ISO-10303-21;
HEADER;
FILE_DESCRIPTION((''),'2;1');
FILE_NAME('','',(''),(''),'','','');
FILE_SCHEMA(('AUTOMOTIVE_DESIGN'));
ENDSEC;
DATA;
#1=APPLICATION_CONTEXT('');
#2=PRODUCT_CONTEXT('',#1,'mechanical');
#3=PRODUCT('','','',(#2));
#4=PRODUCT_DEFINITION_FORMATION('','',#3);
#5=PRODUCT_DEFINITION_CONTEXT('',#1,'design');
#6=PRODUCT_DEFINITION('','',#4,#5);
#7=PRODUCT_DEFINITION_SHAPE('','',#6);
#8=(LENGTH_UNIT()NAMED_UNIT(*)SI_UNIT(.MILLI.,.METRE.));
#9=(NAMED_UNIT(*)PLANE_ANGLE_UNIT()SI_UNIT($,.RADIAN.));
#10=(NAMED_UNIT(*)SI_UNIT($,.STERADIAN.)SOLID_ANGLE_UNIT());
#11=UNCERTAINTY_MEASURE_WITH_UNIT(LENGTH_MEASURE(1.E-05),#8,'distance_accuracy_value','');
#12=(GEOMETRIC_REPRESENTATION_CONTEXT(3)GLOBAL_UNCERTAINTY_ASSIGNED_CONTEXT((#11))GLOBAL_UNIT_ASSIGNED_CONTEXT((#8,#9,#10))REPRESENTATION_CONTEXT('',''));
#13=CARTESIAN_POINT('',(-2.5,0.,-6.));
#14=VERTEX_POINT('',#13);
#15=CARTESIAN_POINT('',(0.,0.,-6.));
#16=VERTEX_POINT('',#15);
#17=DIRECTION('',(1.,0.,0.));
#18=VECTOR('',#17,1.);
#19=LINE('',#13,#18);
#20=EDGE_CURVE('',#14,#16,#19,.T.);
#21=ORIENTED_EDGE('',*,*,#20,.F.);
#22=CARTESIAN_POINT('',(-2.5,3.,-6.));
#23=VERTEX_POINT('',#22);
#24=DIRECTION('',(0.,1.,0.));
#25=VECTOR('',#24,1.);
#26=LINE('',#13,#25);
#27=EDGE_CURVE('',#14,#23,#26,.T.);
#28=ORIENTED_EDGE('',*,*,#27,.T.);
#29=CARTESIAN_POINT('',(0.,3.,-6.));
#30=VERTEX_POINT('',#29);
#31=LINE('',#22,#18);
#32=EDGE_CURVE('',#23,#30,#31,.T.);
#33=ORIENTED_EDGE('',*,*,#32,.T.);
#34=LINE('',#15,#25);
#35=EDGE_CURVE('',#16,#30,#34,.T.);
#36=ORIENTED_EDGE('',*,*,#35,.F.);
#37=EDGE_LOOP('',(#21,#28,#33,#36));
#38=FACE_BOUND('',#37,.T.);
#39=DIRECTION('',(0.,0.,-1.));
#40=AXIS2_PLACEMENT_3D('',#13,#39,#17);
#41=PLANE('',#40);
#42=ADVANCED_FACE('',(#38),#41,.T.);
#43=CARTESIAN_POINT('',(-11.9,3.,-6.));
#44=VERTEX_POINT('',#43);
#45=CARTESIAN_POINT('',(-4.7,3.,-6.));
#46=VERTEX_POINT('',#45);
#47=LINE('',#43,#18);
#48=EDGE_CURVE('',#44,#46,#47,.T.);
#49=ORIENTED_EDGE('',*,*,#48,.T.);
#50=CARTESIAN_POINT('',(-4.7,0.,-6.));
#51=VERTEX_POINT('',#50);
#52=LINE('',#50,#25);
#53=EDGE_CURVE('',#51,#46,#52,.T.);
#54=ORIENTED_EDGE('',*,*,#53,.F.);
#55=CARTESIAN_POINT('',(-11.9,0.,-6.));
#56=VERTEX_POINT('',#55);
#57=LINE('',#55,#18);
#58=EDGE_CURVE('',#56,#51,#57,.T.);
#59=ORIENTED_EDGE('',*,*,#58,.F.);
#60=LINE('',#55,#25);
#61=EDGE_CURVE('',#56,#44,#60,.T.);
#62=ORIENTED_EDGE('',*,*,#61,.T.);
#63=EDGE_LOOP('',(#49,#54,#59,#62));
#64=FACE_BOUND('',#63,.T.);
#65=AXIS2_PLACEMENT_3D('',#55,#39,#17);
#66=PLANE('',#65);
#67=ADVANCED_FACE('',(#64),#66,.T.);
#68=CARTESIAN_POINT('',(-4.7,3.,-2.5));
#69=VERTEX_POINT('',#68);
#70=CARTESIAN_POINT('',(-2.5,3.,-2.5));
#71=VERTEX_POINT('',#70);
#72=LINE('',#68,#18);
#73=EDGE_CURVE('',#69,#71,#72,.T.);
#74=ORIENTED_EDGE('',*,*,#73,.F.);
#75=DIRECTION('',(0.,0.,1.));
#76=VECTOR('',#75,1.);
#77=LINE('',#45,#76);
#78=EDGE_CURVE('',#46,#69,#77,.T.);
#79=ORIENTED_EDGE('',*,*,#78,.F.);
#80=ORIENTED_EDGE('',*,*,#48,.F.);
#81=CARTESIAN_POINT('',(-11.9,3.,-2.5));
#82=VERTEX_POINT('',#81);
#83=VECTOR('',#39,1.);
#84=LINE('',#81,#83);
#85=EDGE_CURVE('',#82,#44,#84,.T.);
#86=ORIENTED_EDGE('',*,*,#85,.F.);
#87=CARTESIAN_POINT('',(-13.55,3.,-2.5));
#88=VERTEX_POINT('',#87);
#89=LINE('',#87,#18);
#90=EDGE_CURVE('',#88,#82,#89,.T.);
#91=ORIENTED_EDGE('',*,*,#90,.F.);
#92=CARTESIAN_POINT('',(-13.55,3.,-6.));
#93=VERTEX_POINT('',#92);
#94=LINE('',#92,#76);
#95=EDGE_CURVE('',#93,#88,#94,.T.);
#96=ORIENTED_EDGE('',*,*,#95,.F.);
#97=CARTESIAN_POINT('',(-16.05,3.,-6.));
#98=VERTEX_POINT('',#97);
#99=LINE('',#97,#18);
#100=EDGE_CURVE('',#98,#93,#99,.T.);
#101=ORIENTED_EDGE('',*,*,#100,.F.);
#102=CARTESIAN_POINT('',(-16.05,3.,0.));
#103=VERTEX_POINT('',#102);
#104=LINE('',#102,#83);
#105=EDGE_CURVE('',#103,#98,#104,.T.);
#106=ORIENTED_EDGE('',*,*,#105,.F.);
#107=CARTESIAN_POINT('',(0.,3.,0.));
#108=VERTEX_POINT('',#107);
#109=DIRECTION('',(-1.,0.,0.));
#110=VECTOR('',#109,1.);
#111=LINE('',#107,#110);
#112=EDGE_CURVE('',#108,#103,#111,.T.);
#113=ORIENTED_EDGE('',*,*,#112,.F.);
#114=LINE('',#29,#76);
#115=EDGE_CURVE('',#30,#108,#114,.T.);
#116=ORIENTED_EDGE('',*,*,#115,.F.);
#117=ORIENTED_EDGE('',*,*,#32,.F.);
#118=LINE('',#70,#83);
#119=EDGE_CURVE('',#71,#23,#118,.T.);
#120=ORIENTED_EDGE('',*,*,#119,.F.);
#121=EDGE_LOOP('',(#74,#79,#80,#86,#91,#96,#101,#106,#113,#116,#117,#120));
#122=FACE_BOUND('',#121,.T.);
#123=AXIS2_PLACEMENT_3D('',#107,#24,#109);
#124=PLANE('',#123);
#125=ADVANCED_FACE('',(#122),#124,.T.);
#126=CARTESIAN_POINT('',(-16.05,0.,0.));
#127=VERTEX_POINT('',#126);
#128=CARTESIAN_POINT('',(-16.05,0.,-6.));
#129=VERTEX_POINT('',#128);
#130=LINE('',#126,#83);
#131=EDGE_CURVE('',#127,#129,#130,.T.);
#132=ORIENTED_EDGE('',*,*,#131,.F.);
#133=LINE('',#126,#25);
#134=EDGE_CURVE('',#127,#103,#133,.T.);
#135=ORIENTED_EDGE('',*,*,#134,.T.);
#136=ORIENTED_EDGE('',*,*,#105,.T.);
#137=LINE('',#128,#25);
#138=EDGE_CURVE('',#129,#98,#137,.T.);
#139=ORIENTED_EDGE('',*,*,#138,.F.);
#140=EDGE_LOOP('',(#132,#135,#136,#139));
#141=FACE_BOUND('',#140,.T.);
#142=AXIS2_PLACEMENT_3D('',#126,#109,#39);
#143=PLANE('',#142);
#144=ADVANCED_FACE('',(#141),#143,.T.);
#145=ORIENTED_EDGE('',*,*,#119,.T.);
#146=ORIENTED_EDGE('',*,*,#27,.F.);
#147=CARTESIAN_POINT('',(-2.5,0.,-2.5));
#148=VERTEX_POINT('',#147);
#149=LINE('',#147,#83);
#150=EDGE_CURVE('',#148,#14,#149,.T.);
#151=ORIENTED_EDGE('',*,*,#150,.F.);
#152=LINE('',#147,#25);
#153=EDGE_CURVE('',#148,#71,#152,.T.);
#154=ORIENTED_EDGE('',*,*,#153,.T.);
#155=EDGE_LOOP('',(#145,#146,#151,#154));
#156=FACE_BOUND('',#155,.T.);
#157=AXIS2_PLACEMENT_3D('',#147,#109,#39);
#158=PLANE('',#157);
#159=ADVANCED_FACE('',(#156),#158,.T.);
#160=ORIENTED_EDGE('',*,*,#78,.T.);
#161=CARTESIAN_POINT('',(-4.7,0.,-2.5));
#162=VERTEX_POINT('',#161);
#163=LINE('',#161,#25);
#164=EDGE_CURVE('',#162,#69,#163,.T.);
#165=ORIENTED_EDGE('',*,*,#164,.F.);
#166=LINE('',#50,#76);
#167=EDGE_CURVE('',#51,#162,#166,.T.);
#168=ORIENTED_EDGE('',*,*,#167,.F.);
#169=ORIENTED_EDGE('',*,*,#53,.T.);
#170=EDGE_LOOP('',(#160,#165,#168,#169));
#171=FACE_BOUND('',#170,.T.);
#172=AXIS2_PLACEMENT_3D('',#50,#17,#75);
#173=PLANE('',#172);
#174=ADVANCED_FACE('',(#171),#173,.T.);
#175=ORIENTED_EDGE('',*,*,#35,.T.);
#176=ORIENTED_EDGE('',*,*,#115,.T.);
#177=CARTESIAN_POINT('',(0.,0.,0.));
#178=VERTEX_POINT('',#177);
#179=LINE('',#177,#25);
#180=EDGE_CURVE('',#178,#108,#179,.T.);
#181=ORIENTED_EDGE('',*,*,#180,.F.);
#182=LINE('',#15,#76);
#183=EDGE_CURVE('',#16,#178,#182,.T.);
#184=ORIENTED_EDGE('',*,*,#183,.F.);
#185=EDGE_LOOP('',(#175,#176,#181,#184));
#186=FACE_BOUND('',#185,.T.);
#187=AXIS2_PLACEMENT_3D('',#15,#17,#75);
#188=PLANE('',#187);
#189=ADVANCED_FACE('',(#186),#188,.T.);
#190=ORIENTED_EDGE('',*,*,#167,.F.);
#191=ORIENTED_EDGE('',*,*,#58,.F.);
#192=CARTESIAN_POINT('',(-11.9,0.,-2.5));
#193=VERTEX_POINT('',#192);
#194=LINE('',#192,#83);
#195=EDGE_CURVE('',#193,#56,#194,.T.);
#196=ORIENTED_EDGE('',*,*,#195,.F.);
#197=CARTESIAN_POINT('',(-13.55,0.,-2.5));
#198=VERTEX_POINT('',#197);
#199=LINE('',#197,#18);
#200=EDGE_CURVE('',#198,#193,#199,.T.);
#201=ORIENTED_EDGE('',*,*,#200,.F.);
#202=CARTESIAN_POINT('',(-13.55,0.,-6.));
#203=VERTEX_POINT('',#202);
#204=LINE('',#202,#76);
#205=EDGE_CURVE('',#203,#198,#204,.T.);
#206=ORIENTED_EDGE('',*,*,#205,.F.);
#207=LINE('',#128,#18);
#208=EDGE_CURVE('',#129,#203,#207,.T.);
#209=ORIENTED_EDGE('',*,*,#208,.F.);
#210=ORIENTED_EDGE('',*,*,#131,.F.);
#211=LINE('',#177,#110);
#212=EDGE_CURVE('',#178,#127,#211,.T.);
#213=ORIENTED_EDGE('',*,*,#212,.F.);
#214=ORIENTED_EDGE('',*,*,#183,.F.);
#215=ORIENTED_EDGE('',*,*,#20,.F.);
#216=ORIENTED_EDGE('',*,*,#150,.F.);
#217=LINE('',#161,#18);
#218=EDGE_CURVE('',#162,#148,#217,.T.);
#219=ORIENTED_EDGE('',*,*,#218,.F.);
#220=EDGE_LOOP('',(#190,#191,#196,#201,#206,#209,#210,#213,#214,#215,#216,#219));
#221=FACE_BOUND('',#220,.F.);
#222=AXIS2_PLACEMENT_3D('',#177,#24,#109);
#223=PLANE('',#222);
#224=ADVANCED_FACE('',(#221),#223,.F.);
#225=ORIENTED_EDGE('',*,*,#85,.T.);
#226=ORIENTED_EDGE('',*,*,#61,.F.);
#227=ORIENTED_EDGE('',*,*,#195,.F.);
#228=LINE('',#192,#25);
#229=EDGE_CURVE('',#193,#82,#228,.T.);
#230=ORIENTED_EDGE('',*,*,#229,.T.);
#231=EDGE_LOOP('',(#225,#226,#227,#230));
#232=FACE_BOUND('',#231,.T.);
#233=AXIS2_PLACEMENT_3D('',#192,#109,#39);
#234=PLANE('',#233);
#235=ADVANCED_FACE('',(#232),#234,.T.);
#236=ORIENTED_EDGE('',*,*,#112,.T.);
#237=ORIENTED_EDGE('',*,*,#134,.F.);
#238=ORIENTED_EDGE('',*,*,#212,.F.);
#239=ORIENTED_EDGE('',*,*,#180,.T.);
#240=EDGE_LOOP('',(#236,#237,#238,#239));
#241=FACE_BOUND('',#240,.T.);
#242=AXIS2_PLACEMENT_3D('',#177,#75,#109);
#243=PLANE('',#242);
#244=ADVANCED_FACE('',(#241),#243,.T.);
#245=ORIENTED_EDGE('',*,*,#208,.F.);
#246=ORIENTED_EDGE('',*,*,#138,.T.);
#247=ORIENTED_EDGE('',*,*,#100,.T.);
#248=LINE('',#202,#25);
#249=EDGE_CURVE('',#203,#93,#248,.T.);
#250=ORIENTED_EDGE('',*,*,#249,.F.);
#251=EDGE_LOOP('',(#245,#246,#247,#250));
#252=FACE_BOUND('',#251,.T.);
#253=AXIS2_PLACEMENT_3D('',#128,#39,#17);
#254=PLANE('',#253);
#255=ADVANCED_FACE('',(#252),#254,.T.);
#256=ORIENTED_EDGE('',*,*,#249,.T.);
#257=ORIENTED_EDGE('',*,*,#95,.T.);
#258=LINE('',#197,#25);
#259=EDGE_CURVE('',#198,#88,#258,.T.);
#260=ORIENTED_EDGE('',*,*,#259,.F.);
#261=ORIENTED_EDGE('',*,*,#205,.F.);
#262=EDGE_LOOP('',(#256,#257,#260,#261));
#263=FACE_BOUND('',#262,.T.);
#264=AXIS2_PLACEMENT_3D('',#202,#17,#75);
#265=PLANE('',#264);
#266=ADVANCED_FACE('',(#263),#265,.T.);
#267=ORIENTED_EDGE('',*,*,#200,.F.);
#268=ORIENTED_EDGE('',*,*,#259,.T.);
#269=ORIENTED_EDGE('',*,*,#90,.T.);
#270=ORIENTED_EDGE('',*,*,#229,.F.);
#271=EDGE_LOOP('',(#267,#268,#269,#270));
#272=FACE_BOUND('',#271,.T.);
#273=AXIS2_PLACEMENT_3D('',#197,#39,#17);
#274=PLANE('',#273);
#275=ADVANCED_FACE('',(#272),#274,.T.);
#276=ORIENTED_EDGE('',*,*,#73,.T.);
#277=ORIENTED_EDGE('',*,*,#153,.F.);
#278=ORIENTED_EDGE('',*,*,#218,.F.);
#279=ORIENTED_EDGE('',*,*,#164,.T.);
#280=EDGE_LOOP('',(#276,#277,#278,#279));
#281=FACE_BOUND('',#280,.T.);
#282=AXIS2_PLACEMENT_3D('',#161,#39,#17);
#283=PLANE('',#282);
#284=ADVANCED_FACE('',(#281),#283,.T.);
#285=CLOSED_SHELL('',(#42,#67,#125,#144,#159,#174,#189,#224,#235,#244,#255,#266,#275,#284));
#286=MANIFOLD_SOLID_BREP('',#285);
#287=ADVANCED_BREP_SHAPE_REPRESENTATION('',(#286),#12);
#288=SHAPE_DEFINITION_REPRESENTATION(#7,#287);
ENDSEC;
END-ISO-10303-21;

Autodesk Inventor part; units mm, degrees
ref_plane "YZ Plane" through (0, 0, 0) normal (1, 0, 0) x (0, 1, 0)
ref_plane "XZ Plane" through (0, 0, 0) normal (0, 1, 0) x (-1, 0, 0)
ref_plane "XY Plane" through (0, 0, 0) normal (0, 0, 1) x (1, 0, 0)
sketch "Sketch1" plane through (0, 0, 0) normal (0, 1, 0) x (-1, 0, 0)
  line L0 (0, 0) -> (16.05, 0)
  line L1 (16.05, 0) -> (16.05, -6)
  line L2 (16.05, -6) -> (13.55, -6)
  line L3 (13.55, -6) -> (13.55, -2.5)
  line L4 (13.55, -2.5) -> (11.9, -2.5)
  line L5 (11.9, -2.5) -> (11.9, -6)
  line L6 (11.9, -6) -> (4.7, -6)
  line L7 (4.7, -6) -> (4.7, -2.5)
  line L8 (4.7, -2.5) -> (2.5, -2.5)
  line L9 (2.5, -2.5) -> (2.5, -6)
  line L10 (2.5, -6) -> (0, -6)
  line L11 (0, -6) -> (0, 0)
  dimension "d1" = 7.2
  dimension "d2" = 1.65
  dimension "d3" = 2.2
  dimension "d4" = 2.5
  dimension "d5" = 2.5
  dimension "d7" = 3.5
  dimension "d8" = 2.5
extrude "Extrusion1" add sketch "Sketch1" along normal blind 3
properties part number "damping_blocker"
